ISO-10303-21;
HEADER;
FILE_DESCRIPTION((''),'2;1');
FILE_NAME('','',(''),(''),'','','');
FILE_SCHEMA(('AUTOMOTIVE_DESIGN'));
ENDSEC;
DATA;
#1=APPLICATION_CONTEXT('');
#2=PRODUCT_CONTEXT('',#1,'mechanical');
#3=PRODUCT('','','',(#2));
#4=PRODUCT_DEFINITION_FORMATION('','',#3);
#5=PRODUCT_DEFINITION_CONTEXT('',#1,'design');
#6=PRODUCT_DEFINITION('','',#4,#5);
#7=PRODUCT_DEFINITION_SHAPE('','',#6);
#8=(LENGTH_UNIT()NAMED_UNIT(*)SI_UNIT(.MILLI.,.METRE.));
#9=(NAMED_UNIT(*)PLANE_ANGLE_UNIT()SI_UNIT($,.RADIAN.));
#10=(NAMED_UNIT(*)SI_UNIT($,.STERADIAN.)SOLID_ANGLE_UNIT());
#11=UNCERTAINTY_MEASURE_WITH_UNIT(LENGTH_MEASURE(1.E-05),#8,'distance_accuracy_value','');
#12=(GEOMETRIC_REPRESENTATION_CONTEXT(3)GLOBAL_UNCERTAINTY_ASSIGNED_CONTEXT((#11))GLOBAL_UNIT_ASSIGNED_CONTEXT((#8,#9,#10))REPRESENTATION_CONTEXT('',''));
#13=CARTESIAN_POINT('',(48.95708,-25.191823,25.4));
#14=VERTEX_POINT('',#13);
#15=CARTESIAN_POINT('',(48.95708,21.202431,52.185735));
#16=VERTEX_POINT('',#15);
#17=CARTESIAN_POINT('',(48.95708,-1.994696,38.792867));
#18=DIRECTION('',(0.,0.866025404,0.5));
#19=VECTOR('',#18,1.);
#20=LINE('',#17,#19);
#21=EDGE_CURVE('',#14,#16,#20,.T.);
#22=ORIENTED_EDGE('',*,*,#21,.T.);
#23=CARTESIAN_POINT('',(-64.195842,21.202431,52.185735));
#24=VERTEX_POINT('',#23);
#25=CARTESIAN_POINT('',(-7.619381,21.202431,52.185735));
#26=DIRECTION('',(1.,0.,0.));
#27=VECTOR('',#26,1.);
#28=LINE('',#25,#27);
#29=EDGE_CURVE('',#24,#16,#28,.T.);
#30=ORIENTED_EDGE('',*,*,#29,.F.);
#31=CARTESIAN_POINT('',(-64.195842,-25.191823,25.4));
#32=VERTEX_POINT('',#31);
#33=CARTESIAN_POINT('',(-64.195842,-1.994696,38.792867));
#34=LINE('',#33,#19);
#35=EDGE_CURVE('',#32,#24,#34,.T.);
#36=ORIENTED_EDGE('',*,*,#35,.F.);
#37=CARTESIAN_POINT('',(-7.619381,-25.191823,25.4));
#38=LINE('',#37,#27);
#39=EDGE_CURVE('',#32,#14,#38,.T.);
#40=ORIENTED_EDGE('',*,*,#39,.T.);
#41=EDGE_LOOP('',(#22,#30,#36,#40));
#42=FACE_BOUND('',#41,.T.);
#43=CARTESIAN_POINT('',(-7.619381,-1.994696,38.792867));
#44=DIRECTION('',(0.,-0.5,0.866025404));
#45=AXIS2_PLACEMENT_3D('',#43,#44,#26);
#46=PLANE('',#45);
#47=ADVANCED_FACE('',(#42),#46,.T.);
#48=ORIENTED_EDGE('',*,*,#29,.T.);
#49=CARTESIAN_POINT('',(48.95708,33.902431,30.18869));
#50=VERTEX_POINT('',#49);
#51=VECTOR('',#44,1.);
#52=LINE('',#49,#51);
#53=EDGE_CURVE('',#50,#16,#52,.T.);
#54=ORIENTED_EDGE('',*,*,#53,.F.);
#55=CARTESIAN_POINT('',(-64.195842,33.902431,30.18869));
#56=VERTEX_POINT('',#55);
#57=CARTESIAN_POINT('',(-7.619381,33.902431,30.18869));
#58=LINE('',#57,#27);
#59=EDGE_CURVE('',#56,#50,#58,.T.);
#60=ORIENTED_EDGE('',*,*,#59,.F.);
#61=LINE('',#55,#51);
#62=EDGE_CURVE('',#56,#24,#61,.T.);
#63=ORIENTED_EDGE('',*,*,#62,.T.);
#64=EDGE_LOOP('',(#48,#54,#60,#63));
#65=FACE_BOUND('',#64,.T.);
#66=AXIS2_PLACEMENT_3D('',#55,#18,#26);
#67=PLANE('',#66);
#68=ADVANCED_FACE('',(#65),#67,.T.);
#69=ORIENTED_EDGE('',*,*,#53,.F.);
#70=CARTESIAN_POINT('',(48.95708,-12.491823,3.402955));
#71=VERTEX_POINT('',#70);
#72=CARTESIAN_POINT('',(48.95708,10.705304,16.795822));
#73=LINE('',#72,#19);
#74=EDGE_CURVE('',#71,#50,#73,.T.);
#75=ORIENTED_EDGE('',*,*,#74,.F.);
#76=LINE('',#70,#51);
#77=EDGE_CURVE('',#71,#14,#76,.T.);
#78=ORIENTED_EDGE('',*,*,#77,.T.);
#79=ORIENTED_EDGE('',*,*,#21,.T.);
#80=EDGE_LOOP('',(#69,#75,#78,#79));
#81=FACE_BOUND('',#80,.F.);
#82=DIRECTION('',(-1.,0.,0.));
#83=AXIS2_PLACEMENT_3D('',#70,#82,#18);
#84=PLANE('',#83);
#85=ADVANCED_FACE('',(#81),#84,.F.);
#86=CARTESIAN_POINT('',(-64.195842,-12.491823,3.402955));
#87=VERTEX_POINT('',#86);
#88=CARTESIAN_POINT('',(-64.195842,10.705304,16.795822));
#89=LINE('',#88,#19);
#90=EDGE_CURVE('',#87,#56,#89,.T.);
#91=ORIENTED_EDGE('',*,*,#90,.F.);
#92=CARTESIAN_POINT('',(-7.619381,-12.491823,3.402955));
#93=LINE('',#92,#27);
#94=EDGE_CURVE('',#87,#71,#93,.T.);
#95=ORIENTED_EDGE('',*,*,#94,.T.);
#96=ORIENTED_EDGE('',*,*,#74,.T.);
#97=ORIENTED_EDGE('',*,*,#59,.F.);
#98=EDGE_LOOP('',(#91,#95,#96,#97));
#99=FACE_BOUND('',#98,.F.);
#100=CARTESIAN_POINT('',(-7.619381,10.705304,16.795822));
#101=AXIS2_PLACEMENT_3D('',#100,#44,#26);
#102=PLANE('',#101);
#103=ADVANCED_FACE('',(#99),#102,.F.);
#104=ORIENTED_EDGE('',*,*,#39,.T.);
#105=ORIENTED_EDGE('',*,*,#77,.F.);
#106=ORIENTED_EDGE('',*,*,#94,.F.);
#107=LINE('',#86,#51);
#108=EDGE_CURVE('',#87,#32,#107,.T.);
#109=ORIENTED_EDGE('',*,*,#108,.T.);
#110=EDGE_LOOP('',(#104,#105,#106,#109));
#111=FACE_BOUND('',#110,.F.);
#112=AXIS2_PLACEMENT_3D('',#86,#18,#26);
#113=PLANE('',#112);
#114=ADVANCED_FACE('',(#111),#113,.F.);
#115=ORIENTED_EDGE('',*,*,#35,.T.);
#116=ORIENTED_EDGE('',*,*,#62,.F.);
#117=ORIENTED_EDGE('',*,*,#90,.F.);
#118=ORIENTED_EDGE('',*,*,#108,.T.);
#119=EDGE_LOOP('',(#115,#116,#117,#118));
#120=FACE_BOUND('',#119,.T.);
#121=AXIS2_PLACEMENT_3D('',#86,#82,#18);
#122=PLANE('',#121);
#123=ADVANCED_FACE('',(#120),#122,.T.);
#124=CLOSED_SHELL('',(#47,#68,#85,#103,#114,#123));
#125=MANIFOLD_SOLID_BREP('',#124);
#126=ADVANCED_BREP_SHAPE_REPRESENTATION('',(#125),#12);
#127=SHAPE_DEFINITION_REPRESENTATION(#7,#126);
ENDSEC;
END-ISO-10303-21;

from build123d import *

# Parameters (mm, degrees)
F0_W     = 113.152922
F0_H     = 53.57147
F1_DEPTH = 25.4
F2_ANGLE = 30


with BuildPart() as f1:
    # F0 (on Top) → F1 (new body)
    with BuildSketch(Plane.XY):
        with Locations((-7.619381, 1.593912)):
            Rectangle(F0_W, F0_H)
    extrude(amount=F1_DEPTH)


with BuildPart() as f1_1:
    # F2: moved
    add(f1.part.rotate(Axis((-7.619381, -25.191823, 25.4), (1, 0, 0)), F2_ANGLE))


solid = f1_1.part
